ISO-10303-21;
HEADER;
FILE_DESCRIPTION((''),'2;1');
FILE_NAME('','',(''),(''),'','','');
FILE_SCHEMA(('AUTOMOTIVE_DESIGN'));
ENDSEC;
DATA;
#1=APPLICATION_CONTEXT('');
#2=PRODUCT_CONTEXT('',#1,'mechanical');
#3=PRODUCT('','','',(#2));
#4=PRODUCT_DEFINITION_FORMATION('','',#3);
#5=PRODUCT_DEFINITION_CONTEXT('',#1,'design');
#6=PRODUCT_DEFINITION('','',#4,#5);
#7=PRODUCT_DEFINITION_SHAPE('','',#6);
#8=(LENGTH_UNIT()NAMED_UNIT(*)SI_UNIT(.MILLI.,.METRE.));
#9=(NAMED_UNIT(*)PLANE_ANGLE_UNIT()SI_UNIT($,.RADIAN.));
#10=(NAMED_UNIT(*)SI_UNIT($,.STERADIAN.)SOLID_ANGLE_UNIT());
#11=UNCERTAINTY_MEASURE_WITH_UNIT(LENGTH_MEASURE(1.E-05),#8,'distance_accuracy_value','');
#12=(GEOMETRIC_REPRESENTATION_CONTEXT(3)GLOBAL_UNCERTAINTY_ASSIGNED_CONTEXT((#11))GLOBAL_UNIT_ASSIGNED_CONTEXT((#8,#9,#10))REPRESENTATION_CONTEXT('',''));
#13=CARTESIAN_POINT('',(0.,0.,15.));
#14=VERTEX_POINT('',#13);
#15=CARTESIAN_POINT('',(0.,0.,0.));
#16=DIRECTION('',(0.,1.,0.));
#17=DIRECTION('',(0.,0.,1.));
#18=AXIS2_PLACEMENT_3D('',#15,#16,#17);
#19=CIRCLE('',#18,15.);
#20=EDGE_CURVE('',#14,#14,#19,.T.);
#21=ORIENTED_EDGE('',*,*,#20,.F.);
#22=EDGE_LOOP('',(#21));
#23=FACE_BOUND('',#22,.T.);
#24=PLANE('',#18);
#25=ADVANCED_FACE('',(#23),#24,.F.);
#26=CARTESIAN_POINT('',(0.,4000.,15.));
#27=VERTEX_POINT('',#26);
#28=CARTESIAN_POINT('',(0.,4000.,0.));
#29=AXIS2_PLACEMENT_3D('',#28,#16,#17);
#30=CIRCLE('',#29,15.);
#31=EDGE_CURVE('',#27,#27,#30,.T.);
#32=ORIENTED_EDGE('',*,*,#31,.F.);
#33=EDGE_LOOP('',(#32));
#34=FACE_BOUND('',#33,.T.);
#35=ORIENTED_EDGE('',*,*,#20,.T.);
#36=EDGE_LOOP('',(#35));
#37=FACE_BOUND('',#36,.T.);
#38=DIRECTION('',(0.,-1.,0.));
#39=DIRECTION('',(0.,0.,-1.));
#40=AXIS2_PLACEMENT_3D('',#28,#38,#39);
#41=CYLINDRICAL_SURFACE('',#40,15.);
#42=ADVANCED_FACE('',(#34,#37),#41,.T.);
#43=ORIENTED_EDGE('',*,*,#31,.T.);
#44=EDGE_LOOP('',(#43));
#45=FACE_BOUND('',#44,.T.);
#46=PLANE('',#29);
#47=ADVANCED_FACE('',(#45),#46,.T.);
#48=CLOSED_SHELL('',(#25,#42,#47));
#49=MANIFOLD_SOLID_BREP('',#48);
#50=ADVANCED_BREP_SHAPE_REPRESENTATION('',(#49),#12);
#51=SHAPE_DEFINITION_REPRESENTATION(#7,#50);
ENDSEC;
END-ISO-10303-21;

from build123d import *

# Parameters (mm, degrees)
SKETCH_1_R      = 15
EXTRUDE_1_DEPTH = 4000


with BuildPart() as part:
    # Эскиз1 → Бобышка-Вытянуть1 (new body)
    with BuildSketch(Plane(origin=(0, 0, 0), x_dir=(1, 0, 0), z_dir=(0, 1, 0))):
        Circle(SKETCH_1_R)
    extrude(amount=EXTRUDE_1_DEPTH)


solid = part.part
